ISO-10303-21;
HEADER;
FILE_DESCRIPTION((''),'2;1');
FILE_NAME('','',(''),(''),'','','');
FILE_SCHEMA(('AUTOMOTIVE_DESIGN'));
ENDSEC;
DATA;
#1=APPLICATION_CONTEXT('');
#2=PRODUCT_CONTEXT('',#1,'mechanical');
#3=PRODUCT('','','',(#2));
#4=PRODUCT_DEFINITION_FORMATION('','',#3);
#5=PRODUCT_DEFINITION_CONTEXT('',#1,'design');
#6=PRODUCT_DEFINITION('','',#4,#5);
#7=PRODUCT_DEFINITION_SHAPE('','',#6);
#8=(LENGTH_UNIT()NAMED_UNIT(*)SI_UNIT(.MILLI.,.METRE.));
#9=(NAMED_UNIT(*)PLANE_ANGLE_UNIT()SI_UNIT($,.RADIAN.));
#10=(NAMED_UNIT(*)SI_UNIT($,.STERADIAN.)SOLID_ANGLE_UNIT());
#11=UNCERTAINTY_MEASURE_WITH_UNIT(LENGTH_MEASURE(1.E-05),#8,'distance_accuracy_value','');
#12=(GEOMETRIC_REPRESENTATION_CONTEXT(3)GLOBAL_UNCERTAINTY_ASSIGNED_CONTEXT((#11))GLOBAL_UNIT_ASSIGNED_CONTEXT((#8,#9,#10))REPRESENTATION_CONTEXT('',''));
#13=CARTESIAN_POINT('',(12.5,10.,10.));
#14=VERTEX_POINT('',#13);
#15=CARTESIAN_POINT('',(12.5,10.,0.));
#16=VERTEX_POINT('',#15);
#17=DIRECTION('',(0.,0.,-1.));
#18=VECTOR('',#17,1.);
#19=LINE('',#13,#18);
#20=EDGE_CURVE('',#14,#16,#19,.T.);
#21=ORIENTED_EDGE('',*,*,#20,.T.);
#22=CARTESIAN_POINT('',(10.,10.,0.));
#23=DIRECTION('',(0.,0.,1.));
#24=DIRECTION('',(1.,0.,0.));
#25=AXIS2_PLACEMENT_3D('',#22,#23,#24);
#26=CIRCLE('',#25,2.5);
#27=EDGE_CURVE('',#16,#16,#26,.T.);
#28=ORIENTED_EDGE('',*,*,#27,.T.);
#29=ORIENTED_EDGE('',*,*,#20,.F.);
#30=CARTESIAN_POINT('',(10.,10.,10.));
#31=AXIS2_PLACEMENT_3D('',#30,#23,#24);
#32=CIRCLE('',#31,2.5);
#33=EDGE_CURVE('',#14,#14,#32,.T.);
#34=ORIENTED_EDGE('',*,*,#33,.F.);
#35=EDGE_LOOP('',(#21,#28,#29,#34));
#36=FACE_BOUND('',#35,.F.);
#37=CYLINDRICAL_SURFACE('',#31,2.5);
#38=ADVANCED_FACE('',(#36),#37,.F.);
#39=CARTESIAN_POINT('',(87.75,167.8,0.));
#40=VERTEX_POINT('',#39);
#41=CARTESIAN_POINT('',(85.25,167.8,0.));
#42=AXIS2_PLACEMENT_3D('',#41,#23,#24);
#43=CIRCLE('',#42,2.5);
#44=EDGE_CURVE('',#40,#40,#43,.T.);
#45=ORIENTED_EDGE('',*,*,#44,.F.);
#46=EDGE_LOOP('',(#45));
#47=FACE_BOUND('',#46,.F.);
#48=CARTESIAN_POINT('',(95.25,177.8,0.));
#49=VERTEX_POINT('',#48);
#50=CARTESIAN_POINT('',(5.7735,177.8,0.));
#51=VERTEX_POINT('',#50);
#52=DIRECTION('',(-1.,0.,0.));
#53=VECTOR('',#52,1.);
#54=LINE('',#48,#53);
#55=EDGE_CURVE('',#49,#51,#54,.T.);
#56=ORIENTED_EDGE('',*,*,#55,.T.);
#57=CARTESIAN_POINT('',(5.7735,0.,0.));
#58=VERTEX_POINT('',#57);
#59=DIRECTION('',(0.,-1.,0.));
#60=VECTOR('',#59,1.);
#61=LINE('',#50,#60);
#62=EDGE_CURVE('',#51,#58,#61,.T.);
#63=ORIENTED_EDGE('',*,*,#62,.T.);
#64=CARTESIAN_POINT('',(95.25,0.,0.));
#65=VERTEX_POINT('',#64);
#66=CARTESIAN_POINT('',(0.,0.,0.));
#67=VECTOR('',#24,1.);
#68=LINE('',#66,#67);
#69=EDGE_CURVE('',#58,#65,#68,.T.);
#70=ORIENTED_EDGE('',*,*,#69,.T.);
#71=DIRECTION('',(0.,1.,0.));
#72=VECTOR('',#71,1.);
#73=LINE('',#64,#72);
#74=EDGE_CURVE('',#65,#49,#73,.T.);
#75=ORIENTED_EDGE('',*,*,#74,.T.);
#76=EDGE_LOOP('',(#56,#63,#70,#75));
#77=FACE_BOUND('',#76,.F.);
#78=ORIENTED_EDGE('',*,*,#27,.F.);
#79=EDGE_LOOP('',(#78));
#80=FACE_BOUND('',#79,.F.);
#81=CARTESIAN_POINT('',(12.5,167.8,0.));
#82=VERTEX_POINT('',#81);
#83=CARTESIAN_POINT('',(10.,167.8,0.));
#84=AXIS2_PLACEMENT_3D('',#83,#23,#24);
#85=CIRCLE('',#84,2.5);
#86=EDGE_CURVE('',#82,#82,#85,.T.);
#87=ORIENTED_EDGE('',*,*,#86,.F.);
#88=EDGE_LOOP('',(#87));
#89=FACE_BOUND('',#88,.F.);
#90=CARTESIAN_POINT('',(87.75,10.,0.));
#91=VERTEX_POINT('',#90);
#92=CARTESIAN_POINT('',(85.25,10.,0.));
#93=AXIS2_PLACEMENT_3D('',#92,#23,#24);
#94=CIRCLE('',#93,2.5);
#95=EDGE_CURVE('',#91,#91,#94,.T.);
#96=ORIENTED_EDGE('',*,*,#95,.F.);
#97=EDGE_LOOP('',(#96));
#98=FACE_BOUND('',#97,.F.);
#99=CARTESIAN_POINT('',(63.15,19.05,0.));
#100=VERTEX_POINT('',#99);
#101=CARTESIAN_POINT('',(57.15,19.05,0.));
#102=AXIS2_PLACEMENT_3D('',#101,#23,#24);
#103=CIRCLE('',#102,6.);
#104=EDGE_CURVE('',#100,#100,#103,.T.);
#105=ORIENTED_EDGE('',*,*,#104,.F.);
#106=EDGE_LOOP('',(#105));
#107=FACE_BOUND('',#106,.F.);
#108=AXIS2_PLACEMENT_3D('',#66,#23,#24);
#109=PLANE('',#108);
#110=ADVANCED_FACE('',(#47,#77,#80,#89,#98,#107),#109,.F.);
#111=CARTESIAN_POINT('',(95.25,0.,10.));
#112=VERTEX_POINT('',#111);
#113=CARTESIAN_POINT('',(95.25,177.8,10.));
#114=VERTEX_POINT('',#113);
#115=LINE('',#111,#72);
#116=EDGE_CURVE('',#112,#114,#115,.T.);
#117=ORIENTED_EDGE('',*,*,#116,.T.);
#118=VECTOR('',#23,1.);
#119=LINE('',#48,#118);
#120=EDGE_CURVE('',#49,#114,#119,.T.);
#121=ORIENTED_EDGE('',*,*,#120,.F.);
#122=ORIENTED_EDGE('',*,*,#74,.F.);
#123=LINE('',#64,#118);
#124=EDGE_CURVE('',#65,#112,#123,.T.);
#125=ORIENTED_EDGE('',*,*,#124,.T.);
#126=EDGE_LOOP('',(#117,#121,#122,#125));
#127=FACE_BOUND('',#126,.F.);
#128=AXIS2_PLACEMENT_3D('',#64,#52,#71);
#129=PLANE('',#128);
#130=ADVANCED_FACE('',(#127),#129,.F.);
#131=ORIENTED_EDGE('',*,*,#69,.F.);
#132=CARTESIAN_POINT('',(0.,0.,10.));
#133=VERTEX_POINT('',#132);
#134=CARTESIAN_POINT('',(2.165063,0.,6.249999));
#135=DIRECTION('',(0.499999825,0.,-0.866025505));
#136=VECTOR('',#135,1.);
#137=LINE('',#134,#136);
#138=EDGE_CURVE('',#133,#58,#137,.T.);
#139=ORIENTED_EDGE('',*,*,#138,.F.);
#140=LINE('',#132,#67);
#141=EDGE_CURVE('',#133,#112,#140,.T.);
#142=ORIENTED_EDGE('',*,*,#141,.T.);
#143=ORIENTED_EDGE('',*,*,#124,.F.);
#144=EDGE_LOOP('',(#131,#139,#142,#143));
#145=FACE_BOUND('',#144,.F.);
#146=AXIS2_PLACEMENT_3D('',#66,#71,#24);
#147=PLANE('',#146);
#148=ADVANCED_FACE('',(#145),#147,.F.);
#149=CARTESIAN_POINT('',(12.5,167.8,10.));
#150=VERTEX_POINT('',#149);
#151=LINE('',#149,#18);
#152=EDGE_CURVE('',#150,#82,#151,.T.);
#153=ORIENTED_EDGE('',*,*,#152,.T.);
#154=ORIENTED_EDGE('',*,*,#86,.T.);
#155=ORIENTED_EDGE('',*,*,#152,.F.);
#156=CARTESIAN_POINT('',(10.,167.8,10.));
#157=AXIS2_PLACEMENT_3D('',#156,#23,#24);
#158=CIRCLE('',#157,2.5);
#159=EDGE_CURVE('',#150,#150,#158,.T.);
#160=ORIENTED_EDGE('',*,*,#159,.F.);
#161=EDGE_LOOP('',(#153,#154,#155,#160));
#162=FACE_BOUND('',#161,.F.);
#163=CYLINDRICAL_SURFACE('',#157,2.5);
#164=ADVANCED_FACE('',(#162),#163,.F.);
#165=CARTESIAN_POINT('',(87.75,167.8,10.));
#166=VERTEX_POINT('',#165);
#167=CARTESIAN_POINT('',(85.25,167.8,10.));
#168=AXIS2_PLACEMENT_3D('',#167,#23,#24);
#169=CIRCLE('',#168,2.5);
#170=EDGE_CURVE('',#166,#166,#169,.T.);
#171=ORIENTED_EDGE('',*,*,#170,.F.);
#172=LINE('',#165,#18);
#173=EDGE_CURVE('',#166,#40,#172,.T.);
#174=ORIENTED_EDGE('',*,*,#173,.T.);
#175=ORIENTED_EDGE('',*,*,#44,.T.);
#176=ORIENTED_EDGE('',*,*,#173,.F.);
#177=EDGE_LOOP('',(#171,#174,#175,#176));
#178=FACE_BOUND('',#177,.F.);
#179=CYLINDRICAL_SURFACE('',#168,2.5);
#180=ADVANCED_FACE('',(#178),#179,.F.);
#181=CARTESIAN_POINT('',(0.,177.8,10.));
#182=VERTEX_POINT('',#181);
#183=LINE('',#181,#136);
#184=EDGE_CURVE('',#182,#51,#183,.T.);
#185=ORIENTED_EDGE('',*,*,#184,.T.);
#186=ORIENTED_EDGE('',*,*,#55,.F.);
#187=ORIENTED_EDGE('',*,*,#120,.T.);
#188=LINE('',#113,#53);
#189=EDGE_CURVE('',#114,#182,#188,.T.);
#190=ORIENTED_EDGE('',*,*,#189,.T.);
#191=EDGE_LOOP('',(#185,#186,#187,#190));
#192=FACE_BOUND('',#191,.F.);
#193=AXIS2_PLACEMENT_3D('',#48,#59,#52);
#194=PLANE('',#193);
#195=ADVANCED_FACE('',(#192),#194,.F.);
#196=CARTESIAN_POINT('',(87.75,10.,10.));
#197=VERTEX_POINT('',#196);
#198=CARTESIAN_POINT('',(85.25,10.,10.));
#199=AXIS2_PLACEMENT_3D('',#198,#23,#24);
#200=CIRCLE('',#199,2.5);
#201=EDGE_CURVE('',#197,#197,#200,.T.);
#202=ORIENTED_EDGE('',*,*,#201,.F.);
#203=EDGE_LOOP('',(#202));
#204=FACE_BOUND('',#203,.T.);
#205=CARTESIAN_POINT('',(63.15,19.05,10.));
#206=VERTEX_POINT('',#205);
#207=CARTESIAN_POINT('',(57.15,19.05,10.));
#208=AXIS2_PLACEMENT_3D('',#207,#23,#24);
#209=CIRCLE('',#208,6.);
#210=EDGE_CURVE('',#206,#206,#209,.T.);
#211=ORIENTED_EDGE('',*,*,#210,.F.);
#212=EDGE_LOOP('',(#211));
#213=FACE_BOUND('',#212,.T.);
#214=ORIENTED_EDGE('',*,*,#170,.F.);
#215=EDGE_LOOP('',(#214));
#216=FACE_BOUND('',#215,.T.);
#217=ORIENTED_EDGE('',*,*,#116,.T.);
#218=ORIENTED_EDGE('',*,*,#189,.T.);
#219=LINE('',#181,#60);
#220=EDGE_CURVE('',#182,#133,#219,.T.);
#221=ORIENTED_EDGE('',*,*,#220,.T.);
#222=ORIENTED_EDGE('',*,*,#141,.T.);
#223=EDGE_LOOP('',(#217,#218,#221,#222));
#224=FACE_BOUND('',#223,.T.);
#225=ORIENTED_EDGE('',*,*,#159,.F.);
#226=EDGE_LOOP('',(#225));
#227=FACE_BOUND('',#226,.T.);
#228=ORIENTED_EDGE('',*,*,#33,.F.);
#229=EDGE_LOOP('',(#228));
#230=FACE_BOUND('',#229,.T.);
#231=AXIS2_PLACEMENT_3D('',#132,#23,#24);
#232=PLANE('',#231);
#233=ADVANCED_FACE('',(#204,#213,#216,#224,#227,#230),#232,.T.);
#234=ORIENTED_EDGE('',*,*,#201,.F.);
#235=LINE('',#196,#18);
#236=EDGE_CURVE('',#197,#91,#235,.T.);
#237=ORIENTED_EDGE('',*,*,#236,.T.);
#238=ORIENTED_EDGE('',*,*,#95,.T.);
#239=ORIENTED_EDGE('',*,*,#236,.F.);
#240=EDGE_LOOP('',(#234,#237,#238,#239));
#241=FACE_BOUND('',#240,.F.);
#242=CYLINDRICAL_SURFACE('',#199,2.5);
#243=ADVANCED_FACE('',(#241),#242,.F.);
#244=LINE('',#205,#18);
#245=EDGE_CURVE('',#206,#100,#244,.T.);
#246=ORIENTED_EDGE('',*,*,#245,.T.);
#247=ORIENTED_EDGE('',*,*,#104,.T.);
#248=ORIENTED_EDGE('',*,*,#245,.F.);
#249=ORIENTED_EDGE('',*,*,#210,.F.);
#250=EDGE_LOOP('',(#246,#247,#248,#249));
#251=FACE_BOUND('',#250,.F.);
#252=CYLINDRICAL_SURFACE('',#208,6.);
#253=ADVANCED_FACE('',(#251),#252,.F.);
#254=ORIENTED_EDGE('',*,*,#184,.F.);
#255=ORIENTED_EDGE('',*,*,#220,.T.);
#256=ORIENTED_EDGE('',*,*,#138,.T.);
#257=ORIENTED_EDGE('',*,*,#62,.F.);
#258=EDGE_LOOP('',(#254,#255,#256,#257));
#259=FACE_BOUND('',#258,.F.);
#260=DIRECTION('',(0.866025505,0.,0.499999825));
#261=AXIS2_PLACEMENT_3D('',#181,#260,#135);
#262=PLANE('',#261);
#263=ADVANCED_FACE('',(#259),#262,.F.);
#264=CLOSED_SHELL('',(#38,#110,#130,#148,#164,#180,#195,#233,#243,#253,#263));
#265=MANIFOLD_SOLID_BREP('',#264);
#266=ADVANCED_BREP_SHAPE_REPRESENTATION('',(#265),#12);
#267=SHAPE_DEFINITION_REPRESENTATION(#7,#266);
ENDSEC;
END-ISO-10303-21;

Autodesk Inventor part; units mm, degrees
ref_plane "YZ Plane" through (0, 0, 0) normal (1, 0, 0) x (0, 1, 0)
ref_plane "XZ Plane" through (0, 0, 0) normal (0, 1, 0) x (-1, 0, 0)
ref_plane "XY Plane" through (0, 0, 0) normal (0, 0, 1) x (1, 0, 0)
sketch "Sketch1" plane through (0, 0, 0) normal (0, 0, 1) x (1, 0, 0)
  line L0 (0, 0) -> (95.25, 0)
  line L1 (95.25, 0) -> (95.25, 177.8)
  line L2 (95.25, 177.8) -> (0, 177.8)
  line L3 (0, 177.8) -> (0, 0)
  dimension "d0" = 95.25
  dimension "d1" = 177.8
extrude "Extrusion1" add sketch "Sketch1" along normal blind 10
sketch "Sketch2" plane through (0, 177.8, 0) normal (0, 1, 0) x (1, 0, 0)
  line L0 (0, -10) -> (95.25, -10) projected
  line L1 (0, -10) -> (5.7735, 0)
  line L2 (0, 0) -> (95.25, 0) projected
  line L3 (0, 0) -> (0, -10)
  line L4 (5.7735, 0) -> (0, 0)
  dimension "d4" = 30
extrude "Extrusion2" cut sketch "Sketch2" against normal through all
sketch "Sketch3" plane through (0, 0, 10) normal (0, 0, 1) x (1, 0, 0)
  line L0 (0, 0) -> (95.25, 0) construction
  line L1 (95.25, 0) -> (95.25, 177.8) construction
  line L2 (95.25, 177.8) -> (0, 177.8) construction
  line L3 (0, 177.8) -> (0, 0) construction
  line L4 (10, 10) -> (85.25, 10) construction
  line L5 (85.25, 10) -> (85.25, 167.8) construction
  line L6 (85.25, 167.8) -> (10, 167.8) construction
  line L7 (10, 167.8) -> (10, 10) construction
  circle A0 centre (10, 167.8) radius 2.5
  circle A1 centre (85.25, 167.8) radius 2.5
  circle A2 centre (85.25, 10) radius 2.5
  circle A3 centre (10, 10) radius 2.5
  dimension "d7" = 10
  dimension "d8" = 5
  dimension "d9" = 5
  dimension "d10" = 5
  dimension "d11" = 5
extrude "Extrusion3" cut sketch "Sketch3" against normal through all
sketch "Sketch4" plane through (0, 0, 10) normal (0, 0, 1) x (1, 0, 0)
  circle A0 centre (57.15, 19.05) radius 6
  line L0 (95.25, 177.8) -> (0, 177.8) projected
  line L1 (95.25, 0) -> (95.25, 177.8) projected
  line L2 (0, 0) -> (95.25, 0) projected
  dimension "d14" = 12
  dimension "d16" = 38.1
  dimension "d19" = 19.05
extrude "Extrusion4" cut sketch "Sketch4" against normal through all
properties part number "BA09" material "ABS Plastic"
